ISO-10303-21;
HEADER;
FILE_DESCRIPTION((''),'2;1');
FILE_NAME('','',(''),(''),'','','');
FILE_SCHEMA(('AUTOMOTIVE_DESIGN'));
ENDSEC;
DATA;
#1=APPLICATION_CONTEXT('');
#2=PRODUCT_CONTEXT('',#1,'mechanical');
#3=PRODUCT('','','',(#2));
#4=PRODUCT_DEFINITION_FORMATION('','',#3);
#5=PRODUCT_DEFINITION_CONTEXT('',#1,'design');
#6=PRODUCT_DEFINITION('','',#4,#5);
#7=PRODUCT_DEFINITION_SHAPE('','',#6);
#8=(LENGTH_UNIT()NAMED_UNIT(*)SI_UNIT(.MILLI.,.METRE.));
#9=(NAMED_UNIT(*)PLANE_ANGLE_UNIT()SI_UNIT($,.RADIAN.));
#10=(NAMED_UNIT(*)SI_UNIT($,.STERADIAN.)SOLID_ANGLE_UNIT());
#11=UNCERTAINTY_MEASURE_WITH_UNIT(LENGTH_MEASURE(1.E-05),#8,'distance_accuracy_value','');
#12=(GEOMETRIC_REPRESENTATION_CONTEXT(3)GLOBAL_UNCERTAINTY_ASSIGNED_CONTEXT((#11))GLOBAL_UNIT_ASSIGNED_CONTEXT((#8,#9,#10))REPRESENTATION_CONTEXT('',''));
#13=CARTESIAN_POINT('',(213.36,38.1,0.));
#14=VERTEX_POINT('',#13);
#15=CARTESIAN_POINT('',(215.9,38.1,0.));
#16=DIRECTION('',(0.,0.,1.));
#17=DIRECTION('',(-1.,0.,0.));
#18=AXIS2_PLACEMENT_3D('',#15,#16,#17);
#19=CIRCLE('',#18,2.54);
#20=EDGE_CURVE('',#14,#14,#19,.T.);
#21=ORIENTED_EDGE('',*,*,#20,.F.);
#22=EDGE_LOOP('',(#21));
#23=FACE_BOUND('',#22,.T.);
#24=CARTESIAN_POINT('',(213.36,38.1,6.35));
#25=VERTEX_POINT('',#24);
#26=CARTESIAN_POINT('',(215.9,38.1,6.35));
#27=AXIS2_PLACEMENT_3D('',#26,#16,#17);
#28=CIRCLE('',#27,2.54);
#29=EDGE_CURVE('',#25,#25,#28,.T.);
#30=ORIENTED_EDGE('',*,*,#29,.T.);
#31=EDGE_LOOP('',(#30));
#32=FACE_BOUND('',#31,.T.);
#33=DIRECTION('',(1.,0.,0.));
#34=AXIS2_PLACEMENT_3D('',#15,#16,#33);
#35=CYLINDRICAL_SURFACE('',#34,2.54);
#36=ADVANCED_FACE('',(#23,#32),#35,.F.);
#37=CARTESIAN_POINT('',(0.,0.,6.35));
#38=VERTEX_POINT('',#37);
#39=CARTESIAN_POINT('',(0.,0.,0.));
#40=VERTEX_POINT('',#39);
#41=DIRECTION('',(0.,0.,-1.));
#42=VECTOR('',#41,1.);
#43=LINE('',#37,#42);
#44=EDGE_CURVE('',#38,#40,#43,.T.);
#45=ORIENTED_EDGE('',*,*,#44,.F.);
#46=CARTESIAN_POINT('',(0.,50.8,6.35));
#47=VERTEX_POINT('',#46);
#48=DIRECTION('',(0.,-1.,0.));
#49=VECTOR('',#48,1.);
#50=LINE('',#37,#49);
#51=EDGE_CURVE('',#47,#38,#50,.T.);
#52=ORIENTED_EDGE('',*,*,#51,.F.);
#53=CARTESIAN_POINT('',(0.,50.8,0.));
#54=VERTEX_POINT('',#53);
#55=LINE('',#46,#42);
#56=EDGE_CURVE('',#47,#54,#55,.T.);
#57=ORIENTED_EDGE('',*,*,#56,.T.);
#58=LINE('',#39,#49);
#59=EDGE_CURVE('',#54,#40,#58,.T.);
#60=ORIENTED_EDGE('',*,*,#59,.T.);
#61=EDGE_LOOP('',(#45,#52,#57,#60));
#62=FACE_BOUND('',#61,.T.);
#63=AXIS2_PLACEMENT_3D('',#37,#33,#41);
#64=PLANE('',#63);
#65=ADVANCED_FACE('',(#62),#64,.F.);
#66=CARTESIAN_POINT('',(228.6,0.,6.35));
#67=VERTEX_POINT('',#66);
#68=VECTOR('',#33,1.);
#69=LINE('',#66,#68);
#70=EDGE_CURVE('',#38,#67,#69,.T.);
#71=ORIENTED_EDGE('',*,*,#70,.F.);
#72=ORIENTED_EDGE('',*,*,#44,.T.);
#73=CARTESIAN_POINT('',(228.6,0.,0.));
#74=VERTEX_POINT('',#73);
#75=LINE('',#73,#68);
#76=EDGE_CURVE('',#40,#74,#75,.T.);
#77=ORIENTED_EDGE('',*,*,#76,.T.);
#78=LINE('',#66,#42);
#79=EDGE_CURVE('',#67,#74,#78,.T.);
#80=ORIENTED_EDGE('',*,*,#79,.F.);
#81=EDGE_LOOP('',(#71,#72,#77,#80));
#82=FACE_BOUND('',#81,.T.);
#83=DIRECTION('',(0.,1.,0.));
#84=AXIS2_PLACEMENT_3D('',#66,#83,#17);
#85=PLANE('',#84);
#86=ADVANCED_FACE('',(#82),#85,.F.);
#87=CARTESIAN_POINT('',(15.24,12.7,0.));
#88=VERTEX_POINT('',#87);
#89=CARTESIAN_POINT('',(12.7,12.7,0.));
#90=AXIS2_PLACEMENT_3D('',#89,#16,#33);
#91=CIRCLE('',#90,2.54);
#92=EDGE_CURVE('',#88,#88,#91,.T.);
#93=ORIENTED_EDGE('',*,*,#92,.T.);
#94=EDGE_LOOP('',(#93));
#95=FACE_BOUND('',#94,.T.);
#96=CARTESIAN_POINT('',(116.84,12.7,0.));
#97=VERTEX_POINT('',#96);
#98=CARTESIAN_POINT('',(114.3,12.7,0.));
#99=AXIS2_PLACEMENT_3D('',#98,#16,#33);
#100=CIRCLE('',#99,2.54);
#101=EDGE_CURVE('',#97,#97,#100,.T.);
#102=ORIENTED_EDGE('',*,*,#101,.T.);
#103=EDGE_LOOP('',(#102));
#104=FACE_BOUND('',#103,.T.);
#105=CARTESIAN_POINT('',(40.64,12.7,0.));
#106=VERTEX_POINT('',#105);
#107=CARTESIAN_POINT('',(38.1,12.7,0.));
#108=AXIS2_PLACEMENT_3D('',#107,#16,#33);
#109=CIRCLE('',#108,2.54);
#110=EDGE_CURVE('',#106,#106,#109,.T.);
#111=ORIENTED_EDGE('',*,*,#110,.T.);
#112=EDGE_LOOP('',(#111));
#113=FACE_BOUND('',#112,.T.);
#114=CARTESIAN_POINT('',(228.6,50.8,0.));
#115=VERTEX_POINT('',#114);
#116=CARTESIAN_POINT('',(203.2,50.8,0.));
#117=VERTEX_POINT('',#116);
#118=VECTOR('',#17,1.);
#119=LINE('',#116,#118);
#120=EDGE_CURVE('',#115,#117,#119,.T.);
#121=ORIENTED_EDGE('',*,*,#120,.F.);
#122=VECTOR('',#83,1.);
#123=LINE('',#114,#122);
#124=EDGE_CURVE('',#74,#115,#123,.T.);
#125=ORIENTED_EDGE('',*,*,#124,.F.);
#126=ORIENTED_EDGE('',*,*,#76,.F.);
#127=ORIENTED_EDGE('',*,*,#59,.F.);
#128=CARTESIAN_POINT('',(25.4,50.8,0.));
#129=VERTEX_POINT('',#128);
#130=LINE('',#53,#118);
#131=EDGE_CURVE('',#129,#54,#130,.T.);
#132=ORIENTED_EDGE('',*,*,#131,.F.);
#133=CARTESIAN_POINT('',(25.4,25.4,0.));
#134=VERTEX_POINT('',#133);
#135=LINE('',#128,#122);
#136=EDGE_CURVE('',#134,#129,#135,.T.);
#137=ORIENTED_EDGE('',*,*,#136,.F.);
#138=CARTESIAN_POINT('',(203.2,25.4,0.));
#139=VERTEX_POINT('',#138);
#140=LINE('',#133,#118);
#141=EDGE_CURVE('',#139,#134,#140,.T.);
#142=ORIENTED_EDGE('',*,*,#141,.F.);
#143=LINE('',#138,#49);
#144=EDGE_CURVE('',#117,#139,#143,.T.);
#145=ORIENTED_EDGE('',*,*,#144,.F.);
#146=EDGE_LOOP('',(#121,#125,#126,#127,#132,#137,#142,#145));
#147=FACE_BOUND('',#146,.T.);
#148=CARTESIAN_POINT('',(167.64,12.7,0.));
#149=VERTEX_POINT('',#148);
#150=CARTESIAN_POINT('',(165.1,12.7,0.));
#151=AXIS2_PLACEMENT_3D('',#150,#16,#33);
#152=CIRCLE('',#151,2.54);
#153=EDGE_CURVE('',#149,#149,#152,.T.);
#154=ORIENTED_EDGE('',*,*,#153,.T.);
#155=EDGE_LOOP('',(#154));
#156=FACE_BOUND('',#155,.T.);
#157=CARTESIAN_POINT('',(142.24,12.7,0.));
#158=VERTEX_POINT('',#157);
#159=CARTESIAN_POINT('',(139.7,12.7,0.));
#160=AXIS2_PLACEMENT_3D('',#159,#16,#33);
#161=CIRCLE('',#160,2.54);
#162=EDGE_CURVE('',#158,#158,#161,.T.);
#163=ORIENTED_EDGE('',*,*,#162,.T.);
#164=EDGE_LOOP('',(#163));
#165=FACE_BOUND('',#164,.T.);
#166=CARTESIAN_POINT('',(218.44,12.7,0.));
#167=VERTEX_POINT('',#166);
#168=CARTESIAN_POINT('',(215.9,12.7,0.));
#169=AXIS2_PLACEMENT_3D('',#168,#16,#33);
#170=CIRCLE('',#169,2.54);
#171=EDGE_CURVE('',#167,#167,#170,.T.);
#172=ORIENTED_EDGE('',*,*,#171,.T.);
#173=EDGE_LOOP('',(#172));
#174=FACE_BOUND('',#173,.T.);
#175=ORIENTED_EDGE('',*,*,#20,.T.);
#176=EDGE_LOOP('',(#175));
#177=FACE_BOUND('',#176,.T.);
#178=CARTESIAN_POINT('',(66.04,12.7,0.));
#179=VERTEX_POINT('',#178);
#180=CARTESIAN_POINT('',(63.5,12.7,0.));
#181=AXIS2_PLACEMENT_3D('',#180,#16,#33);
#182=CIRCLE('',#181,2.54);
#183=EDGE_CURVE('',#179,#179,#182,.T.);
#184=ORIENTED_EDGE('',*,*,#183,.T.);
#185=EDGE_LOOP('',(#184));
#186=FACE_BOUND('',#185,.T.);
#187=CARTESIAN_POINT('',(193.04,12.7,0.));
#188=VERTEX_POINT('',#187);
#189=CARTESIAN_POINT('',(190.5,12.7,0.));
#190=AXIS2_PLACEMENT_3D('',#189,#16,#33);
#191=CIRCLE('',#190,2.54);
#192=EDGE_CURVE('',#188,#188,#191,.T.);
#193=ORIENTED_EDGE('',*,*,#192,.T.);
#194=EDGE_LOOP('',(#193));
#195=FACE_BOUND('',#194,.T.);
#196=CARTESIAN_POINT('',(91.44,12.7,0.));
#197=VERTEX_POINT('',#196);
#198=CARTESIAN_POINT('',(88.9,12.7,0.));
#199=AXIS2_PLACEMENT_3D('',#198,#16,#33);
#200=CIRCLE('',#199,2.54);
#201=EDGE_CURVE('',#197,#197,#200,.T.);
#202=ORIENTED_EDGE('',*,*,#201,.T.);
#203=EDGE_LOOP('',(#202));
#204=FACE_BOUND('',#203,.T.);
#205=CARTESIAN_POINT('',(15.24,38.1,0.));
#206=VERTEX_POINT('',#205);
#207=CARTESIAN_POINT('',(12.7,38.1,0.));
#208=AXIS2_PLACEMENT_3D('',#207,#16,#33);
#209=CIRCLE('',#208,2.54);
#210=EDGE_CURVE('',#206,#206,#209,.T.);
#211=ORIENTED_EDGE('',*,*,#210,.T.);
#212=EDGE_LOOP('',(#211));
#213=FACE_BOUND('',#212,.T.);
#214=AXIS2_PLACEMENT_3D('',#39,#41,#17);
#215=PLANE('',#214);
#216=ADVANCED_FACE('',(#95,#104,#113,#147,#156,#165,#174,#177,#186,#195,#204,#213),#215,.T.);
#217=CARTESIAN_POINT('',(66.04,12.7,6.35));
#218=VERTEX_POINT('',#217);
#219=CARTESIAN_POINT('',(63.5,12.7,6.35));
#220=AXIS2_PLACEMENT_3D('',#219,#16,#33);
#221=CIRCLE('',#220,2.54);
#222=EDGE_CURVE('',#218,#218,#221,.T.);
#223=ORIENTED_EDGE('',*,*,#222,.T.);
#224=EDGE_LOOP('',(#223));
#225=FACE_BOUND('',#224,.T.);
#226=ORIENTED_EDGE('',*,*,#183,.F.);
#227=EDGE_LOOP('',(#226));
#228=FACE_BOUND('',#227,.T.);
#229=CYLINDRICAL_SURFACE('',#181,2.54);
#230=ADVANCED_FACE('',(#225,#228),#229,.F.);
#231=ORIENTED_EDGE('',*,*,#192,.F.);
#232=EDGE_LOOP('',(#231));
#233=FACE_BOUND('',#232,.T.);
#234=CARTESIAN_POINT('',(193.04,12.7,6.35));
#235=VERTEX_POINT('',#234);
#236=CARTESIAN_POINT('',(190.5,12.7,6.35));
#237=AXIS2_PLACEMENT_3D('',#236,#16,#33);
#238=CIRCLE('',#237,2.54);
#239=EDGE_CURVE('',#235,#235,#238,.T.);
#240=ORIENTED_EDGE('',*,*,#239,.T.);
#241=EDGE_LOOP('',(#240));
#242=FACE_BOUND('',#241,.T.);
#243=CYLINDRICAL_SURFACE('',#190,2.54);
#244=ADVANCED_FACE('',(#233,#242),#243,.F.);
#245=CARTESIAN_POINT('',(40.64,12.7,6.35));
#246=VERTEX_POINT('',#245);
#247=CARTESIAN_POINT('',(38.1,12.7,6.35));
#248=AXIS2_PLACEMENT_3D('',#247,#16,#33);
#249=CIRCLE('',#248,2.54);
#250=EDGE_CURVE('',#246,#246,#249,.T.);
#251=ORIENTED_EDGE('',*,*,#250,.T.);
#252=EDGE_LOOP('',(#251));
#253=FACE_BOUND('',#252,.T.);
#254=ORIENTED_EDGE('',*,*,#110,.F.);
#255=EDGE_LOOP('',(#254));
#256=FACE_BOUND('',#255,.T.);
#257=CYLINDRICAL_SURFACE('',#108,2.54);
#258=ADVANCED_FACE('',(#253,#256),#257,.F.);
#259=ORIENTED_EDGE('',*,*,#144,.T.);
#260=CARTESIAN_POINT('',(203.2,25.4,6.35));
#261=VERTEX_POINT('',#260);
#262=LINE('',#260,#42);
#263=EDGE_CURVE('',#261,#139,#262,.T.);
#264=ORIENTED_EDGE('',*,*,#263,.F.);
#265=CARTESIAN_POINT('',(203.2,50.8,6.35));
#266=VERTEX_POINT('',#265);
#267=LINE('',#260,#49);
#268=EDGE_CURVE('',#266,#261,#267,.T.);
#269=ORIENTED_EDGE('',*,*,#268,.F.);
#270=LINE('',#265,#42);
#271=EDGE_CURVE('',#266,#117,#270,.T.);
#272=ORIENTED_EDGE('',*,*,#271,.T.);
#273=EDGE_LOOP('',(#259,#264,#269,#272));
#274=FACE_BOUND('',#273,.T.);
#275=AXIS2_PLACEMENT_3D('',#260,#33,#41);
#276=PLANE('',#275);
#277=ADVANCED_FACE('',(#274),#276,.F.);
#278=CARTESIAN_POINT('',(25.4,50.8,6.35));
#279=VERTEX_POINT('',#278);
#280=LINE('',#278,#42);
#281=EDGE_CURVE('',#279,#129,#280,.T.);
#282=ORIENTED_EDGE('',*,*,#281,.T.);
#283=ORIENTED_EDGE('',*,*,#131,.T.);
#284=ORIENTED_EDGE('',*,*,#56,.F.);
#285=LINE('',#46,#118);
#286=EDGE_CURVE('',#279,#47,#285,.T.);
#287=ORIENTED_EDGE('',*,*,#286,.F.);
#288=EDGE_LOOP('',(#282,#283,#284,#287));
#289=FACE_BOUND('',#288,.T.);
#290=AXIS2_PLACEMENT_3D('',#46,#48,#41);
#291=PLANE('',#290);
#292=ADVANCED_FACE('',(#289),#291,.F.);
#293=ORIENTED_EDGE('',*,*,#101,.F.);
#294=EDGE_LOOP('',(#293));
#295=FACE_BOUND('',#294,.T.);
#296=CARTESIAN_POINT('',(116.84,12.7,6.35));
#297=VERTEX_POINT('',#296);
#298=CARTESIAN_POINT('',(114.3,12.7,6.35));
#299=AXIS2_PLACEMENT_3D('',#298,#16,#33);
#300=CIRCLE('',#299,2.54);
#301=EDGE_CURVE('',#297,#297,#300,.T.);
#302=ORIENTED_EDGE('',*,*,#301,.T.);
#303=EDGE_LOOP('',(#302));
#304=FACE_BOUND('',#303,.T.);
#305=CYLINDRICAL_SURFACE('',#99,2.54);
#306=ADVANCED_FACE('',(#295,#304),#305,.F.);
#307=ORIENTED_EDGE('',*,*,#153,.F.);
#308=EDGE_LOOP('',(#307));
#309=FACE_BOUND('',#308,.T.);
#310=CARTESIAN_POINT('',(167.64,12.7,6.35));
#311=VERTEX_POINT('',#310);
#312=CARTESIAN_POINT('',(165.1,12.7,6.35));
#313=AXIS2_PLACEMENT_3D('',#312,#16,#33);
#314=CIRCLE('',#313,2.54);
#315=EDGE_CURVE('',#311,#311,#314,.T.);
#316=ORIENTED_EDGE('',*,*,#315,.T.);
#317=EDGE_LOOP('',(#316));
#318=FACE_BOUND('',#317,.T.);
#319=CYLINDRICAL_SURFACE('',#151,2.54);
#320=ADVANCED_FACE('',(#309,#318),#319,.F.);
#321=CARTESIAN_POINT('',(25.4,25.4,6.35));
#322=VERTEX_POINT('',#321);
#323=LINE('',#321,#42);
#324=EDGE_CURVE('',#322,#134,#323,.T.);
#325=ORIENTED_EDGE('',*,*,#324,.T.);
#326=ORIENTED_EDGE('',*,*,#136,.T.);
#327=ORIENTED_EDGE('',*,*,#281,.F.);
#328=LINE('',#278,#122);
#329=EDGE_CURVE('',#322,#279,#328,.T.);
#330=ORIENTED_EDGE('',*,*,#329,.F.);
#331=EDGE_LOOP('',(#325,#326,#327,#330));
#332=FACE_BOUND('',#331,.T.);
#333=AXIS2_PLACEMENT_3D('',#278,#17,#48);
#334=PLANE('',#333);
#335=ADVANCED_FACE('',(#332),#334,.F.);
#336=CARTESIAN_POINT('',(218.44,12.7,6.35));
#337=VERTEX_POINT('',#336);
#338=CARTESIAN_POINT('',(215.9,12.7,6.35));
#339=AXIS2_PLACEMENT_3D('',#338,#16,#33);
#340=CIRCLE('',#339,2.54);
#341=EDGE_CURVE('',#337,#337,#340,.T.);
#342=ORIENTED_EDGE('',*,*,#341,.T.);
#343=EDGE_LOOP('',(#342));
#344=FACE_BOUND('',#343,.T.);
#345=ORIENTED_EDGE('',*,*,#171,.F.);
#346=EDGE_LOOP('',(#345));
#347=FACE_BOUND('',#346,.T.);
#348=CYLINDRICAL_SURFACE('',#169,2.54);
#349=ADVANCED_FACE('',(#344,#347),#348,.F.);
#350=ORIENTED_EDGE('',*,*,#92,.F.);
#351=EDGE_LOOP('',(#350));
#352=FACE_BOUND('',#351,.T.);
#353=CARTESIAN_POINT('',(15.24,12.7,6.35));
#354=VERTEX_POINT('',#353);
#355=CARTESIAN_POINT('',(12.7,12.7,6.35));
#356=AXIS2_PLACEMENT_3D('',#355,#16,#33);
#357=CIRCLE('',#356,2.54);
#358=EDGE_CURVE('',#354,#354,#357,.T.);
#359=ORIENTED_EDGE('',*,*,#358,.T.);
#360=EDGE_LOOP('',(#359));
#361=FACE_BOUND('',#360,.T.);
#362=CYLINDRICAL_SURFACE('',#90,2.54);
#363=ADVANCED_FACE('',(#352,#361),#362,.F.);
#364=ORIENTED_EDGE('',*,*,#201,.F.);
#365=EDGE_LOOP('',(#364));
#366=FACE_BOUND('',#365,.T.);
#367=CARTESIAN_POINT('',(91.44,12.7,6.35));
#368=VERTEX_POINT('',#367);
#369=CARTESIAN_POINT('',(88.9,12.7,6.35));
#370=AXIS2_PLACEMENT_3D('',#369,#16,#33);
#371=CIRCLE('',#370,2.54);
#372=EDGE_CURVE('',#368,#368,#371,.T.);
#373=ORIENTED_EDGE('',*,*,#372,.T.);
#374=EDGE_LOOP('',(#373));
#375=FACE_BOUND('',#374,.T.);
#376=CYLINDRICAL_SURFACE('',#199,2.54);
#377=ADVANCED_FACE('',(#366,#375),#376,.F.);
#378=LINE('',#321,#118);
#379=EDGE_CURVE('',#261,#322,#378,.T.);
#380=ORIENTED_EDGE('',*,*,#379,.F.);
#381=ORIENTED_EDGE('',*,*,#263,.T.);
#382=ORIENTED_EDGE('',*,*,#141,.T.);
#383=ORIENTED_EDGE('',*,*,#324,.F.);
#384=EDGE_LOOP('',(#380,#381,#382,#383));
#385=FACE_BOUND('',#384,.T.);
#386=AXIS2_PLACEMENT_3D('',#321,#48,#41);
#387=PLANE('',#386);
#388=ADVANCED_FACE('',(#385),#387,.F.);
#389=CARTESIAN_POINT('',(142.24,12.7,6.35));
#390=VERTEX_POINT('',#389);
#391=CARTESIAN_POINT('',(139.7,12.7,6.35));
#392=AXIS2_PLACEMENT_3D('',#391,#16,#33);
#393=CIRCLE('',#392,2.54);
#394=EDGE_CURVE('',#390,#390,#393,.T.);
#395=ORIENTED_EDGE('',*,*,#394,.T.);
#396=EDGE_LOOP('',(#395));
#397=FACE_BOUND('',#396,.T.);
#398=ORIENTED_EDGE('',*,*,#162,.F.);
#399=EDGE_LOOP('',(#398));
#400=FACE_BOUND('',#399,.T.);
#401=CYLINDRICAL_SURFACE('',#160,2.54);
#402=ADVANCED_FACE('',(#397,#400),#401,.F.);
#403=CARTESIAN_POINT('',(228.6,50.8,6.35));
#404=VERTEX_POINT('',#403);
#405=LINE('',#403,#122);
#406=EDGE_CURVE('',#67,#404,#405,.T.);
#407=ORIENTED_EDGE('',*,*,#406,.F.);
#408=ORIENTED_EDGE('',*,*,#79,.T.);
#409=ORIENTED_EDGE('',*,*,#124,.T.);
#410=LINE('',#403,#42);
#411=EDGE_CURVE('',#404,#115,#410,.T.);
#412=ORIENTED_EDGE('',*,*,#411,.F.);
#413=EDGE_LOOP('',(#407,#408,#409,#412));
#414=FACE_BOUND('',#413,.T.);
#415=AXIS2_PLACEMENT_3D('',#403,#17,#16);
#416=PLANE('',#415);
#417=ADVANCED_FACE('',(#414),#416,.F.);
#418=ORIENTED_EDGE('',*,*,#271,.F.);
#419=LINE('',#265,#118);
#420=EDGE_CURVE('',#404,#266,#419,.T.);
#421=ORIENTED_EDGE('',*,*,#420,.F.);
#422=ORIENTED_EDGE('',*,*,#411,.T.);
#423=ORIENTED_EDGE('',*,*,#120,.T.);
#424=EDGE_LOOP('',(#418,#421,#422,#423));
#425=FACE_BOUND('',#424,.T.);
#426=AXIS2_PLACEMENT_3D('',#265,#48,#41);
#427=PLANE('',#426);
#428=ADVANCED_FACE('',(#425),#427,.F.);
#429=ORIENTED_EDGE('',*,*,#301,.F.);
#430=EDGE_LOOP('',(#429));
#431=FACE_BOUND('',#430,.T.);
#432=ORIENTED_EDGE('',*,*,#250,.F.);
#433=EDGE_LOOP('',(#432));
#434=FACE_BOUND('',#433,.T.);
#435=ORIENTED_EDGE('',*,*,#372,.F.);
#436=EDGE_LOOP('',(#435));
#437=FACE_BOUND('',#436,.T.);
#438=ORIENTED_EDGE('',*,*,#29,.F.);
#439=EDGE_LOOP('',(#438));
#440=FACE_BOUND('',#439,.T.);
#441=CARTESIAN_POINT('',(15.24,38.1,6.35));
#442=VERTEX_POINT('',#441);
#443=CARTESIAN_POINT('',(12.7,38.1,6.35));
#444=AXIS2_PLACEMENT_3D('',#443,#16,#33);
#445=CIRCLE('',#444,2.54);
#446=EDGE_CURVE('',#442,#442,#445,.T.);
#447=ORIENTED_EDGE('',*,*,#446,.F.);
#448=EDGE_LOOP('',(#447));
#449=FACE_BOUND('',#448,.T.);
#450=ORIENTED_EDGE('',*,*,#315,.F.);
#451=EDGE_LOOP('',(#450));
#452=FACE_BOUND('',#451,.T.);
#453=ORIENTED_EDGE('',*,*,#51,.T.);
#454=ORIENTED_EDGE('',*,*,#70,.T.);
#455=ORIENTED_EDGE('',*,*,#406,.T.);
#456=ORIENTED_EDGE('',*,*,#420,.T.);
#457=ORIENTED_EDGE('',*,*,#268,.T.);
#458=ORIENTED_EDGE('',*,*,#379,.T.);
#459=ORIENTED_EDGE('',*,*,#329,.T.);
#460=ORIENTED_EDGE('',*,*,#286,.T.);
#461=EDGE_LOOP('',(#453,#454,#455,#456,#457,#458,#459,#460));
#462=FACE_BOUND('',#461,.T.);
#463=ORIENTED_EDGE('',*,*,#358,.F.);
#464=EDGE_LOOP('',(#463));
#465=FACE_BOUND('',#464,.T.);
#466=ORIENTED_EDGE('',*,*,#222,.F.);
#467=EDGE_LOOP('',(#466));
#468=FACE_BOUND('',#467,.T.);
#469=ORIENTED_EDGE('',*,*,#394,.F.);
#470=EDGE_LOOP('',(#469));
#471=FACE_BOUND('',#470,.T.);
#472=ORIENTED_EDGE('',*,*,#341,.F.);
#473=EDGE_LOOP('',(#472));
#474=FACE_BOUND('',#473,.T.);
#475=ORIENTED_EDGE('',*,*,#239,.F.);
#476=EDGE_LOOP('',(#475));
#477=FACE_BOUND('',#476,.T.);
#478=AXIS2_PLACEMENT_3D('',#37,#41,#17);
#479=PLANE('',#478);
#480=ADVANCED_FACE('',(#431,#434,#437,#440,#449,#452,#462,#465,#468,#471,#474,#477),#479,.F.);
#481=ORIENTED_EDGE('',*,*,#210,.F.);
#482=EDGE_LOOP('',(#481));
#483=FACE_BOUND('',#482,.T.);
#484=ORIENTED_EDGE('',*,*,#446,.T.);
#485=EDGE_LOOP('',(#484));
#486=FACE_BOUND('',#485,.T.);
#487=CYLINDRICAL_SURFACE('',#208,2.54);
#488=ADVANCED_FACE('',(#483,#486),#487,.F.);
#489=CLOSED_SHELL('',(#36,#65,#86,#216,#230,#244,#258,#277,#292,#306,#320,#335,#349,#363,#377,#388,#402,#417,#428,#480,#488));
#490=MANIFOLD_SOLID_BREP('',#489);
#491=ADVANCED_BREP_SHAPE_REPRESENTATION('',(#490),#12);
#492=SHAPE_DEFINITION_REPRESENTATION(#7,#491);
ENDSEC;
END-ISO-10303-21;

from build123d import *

# Parameters (mm, degrees)
BOSS_EXTRUDE1_DEPTH = 6.35
SKETCH2_R           = 2.54
CUT_EXTRUDE1_DEPTH  = 235.26250767


with BuildPart() as part:
    # Sketch1 → Boss-Extrude1 (new body)
    with BuildSketch(Plane.XY):
        Polygon((0, 0), (0, 50.8), (25.4, 50.8), (25.4, 25.4), (203.2, 25.4), (203.2, 50.8), (228.6, 50.8), (228.6, 0), align=None)
    extrude(amount=BOSS_EXTRUDE1_DEPTH)

    # Sketch2 → Cut-Extrude1 (cut, through all)
    with BuildSketch(Plane.XY.offset(6.35)):
        with Locations((12.7, 38.1)):
            Circle(SKETCH2_R)
        with Locations((12.7, 12.7)):
            Circle(SKETCH2_R)
        with Locations((38.1, 12.7)):
            Circle(SKETCH2_R)
        with Locations((63.5, 12.7)):
            Circle(SKETCH2_R)
        with Locations((88.9, 12.7)):
            Circle(SKETCH2_R)
        with Locations((114.3, 12.7)):
            Circle(SKETCH2_R)
        with Locations((139.7, 12.7)):
            Circle(SKETCH2_R)
        with Locations((165.1, 12.7)):
            Circle(SKETCH2_R)
        with Locations((190.5, 12.7)):
            Circle(SKETCH2_R)
        with Locations((215.9, 12.7)):
            Circle(SKETCH2_R)
        with Locations(Location((215.9, 38.1, 0), (0, 0, 180))):
            Circle(SKETCH2_R)
    extrude(amount=-CUT_EXTRUDE1_DEPTH, mode=Mode.SUBTRACT)


solid = part.part
